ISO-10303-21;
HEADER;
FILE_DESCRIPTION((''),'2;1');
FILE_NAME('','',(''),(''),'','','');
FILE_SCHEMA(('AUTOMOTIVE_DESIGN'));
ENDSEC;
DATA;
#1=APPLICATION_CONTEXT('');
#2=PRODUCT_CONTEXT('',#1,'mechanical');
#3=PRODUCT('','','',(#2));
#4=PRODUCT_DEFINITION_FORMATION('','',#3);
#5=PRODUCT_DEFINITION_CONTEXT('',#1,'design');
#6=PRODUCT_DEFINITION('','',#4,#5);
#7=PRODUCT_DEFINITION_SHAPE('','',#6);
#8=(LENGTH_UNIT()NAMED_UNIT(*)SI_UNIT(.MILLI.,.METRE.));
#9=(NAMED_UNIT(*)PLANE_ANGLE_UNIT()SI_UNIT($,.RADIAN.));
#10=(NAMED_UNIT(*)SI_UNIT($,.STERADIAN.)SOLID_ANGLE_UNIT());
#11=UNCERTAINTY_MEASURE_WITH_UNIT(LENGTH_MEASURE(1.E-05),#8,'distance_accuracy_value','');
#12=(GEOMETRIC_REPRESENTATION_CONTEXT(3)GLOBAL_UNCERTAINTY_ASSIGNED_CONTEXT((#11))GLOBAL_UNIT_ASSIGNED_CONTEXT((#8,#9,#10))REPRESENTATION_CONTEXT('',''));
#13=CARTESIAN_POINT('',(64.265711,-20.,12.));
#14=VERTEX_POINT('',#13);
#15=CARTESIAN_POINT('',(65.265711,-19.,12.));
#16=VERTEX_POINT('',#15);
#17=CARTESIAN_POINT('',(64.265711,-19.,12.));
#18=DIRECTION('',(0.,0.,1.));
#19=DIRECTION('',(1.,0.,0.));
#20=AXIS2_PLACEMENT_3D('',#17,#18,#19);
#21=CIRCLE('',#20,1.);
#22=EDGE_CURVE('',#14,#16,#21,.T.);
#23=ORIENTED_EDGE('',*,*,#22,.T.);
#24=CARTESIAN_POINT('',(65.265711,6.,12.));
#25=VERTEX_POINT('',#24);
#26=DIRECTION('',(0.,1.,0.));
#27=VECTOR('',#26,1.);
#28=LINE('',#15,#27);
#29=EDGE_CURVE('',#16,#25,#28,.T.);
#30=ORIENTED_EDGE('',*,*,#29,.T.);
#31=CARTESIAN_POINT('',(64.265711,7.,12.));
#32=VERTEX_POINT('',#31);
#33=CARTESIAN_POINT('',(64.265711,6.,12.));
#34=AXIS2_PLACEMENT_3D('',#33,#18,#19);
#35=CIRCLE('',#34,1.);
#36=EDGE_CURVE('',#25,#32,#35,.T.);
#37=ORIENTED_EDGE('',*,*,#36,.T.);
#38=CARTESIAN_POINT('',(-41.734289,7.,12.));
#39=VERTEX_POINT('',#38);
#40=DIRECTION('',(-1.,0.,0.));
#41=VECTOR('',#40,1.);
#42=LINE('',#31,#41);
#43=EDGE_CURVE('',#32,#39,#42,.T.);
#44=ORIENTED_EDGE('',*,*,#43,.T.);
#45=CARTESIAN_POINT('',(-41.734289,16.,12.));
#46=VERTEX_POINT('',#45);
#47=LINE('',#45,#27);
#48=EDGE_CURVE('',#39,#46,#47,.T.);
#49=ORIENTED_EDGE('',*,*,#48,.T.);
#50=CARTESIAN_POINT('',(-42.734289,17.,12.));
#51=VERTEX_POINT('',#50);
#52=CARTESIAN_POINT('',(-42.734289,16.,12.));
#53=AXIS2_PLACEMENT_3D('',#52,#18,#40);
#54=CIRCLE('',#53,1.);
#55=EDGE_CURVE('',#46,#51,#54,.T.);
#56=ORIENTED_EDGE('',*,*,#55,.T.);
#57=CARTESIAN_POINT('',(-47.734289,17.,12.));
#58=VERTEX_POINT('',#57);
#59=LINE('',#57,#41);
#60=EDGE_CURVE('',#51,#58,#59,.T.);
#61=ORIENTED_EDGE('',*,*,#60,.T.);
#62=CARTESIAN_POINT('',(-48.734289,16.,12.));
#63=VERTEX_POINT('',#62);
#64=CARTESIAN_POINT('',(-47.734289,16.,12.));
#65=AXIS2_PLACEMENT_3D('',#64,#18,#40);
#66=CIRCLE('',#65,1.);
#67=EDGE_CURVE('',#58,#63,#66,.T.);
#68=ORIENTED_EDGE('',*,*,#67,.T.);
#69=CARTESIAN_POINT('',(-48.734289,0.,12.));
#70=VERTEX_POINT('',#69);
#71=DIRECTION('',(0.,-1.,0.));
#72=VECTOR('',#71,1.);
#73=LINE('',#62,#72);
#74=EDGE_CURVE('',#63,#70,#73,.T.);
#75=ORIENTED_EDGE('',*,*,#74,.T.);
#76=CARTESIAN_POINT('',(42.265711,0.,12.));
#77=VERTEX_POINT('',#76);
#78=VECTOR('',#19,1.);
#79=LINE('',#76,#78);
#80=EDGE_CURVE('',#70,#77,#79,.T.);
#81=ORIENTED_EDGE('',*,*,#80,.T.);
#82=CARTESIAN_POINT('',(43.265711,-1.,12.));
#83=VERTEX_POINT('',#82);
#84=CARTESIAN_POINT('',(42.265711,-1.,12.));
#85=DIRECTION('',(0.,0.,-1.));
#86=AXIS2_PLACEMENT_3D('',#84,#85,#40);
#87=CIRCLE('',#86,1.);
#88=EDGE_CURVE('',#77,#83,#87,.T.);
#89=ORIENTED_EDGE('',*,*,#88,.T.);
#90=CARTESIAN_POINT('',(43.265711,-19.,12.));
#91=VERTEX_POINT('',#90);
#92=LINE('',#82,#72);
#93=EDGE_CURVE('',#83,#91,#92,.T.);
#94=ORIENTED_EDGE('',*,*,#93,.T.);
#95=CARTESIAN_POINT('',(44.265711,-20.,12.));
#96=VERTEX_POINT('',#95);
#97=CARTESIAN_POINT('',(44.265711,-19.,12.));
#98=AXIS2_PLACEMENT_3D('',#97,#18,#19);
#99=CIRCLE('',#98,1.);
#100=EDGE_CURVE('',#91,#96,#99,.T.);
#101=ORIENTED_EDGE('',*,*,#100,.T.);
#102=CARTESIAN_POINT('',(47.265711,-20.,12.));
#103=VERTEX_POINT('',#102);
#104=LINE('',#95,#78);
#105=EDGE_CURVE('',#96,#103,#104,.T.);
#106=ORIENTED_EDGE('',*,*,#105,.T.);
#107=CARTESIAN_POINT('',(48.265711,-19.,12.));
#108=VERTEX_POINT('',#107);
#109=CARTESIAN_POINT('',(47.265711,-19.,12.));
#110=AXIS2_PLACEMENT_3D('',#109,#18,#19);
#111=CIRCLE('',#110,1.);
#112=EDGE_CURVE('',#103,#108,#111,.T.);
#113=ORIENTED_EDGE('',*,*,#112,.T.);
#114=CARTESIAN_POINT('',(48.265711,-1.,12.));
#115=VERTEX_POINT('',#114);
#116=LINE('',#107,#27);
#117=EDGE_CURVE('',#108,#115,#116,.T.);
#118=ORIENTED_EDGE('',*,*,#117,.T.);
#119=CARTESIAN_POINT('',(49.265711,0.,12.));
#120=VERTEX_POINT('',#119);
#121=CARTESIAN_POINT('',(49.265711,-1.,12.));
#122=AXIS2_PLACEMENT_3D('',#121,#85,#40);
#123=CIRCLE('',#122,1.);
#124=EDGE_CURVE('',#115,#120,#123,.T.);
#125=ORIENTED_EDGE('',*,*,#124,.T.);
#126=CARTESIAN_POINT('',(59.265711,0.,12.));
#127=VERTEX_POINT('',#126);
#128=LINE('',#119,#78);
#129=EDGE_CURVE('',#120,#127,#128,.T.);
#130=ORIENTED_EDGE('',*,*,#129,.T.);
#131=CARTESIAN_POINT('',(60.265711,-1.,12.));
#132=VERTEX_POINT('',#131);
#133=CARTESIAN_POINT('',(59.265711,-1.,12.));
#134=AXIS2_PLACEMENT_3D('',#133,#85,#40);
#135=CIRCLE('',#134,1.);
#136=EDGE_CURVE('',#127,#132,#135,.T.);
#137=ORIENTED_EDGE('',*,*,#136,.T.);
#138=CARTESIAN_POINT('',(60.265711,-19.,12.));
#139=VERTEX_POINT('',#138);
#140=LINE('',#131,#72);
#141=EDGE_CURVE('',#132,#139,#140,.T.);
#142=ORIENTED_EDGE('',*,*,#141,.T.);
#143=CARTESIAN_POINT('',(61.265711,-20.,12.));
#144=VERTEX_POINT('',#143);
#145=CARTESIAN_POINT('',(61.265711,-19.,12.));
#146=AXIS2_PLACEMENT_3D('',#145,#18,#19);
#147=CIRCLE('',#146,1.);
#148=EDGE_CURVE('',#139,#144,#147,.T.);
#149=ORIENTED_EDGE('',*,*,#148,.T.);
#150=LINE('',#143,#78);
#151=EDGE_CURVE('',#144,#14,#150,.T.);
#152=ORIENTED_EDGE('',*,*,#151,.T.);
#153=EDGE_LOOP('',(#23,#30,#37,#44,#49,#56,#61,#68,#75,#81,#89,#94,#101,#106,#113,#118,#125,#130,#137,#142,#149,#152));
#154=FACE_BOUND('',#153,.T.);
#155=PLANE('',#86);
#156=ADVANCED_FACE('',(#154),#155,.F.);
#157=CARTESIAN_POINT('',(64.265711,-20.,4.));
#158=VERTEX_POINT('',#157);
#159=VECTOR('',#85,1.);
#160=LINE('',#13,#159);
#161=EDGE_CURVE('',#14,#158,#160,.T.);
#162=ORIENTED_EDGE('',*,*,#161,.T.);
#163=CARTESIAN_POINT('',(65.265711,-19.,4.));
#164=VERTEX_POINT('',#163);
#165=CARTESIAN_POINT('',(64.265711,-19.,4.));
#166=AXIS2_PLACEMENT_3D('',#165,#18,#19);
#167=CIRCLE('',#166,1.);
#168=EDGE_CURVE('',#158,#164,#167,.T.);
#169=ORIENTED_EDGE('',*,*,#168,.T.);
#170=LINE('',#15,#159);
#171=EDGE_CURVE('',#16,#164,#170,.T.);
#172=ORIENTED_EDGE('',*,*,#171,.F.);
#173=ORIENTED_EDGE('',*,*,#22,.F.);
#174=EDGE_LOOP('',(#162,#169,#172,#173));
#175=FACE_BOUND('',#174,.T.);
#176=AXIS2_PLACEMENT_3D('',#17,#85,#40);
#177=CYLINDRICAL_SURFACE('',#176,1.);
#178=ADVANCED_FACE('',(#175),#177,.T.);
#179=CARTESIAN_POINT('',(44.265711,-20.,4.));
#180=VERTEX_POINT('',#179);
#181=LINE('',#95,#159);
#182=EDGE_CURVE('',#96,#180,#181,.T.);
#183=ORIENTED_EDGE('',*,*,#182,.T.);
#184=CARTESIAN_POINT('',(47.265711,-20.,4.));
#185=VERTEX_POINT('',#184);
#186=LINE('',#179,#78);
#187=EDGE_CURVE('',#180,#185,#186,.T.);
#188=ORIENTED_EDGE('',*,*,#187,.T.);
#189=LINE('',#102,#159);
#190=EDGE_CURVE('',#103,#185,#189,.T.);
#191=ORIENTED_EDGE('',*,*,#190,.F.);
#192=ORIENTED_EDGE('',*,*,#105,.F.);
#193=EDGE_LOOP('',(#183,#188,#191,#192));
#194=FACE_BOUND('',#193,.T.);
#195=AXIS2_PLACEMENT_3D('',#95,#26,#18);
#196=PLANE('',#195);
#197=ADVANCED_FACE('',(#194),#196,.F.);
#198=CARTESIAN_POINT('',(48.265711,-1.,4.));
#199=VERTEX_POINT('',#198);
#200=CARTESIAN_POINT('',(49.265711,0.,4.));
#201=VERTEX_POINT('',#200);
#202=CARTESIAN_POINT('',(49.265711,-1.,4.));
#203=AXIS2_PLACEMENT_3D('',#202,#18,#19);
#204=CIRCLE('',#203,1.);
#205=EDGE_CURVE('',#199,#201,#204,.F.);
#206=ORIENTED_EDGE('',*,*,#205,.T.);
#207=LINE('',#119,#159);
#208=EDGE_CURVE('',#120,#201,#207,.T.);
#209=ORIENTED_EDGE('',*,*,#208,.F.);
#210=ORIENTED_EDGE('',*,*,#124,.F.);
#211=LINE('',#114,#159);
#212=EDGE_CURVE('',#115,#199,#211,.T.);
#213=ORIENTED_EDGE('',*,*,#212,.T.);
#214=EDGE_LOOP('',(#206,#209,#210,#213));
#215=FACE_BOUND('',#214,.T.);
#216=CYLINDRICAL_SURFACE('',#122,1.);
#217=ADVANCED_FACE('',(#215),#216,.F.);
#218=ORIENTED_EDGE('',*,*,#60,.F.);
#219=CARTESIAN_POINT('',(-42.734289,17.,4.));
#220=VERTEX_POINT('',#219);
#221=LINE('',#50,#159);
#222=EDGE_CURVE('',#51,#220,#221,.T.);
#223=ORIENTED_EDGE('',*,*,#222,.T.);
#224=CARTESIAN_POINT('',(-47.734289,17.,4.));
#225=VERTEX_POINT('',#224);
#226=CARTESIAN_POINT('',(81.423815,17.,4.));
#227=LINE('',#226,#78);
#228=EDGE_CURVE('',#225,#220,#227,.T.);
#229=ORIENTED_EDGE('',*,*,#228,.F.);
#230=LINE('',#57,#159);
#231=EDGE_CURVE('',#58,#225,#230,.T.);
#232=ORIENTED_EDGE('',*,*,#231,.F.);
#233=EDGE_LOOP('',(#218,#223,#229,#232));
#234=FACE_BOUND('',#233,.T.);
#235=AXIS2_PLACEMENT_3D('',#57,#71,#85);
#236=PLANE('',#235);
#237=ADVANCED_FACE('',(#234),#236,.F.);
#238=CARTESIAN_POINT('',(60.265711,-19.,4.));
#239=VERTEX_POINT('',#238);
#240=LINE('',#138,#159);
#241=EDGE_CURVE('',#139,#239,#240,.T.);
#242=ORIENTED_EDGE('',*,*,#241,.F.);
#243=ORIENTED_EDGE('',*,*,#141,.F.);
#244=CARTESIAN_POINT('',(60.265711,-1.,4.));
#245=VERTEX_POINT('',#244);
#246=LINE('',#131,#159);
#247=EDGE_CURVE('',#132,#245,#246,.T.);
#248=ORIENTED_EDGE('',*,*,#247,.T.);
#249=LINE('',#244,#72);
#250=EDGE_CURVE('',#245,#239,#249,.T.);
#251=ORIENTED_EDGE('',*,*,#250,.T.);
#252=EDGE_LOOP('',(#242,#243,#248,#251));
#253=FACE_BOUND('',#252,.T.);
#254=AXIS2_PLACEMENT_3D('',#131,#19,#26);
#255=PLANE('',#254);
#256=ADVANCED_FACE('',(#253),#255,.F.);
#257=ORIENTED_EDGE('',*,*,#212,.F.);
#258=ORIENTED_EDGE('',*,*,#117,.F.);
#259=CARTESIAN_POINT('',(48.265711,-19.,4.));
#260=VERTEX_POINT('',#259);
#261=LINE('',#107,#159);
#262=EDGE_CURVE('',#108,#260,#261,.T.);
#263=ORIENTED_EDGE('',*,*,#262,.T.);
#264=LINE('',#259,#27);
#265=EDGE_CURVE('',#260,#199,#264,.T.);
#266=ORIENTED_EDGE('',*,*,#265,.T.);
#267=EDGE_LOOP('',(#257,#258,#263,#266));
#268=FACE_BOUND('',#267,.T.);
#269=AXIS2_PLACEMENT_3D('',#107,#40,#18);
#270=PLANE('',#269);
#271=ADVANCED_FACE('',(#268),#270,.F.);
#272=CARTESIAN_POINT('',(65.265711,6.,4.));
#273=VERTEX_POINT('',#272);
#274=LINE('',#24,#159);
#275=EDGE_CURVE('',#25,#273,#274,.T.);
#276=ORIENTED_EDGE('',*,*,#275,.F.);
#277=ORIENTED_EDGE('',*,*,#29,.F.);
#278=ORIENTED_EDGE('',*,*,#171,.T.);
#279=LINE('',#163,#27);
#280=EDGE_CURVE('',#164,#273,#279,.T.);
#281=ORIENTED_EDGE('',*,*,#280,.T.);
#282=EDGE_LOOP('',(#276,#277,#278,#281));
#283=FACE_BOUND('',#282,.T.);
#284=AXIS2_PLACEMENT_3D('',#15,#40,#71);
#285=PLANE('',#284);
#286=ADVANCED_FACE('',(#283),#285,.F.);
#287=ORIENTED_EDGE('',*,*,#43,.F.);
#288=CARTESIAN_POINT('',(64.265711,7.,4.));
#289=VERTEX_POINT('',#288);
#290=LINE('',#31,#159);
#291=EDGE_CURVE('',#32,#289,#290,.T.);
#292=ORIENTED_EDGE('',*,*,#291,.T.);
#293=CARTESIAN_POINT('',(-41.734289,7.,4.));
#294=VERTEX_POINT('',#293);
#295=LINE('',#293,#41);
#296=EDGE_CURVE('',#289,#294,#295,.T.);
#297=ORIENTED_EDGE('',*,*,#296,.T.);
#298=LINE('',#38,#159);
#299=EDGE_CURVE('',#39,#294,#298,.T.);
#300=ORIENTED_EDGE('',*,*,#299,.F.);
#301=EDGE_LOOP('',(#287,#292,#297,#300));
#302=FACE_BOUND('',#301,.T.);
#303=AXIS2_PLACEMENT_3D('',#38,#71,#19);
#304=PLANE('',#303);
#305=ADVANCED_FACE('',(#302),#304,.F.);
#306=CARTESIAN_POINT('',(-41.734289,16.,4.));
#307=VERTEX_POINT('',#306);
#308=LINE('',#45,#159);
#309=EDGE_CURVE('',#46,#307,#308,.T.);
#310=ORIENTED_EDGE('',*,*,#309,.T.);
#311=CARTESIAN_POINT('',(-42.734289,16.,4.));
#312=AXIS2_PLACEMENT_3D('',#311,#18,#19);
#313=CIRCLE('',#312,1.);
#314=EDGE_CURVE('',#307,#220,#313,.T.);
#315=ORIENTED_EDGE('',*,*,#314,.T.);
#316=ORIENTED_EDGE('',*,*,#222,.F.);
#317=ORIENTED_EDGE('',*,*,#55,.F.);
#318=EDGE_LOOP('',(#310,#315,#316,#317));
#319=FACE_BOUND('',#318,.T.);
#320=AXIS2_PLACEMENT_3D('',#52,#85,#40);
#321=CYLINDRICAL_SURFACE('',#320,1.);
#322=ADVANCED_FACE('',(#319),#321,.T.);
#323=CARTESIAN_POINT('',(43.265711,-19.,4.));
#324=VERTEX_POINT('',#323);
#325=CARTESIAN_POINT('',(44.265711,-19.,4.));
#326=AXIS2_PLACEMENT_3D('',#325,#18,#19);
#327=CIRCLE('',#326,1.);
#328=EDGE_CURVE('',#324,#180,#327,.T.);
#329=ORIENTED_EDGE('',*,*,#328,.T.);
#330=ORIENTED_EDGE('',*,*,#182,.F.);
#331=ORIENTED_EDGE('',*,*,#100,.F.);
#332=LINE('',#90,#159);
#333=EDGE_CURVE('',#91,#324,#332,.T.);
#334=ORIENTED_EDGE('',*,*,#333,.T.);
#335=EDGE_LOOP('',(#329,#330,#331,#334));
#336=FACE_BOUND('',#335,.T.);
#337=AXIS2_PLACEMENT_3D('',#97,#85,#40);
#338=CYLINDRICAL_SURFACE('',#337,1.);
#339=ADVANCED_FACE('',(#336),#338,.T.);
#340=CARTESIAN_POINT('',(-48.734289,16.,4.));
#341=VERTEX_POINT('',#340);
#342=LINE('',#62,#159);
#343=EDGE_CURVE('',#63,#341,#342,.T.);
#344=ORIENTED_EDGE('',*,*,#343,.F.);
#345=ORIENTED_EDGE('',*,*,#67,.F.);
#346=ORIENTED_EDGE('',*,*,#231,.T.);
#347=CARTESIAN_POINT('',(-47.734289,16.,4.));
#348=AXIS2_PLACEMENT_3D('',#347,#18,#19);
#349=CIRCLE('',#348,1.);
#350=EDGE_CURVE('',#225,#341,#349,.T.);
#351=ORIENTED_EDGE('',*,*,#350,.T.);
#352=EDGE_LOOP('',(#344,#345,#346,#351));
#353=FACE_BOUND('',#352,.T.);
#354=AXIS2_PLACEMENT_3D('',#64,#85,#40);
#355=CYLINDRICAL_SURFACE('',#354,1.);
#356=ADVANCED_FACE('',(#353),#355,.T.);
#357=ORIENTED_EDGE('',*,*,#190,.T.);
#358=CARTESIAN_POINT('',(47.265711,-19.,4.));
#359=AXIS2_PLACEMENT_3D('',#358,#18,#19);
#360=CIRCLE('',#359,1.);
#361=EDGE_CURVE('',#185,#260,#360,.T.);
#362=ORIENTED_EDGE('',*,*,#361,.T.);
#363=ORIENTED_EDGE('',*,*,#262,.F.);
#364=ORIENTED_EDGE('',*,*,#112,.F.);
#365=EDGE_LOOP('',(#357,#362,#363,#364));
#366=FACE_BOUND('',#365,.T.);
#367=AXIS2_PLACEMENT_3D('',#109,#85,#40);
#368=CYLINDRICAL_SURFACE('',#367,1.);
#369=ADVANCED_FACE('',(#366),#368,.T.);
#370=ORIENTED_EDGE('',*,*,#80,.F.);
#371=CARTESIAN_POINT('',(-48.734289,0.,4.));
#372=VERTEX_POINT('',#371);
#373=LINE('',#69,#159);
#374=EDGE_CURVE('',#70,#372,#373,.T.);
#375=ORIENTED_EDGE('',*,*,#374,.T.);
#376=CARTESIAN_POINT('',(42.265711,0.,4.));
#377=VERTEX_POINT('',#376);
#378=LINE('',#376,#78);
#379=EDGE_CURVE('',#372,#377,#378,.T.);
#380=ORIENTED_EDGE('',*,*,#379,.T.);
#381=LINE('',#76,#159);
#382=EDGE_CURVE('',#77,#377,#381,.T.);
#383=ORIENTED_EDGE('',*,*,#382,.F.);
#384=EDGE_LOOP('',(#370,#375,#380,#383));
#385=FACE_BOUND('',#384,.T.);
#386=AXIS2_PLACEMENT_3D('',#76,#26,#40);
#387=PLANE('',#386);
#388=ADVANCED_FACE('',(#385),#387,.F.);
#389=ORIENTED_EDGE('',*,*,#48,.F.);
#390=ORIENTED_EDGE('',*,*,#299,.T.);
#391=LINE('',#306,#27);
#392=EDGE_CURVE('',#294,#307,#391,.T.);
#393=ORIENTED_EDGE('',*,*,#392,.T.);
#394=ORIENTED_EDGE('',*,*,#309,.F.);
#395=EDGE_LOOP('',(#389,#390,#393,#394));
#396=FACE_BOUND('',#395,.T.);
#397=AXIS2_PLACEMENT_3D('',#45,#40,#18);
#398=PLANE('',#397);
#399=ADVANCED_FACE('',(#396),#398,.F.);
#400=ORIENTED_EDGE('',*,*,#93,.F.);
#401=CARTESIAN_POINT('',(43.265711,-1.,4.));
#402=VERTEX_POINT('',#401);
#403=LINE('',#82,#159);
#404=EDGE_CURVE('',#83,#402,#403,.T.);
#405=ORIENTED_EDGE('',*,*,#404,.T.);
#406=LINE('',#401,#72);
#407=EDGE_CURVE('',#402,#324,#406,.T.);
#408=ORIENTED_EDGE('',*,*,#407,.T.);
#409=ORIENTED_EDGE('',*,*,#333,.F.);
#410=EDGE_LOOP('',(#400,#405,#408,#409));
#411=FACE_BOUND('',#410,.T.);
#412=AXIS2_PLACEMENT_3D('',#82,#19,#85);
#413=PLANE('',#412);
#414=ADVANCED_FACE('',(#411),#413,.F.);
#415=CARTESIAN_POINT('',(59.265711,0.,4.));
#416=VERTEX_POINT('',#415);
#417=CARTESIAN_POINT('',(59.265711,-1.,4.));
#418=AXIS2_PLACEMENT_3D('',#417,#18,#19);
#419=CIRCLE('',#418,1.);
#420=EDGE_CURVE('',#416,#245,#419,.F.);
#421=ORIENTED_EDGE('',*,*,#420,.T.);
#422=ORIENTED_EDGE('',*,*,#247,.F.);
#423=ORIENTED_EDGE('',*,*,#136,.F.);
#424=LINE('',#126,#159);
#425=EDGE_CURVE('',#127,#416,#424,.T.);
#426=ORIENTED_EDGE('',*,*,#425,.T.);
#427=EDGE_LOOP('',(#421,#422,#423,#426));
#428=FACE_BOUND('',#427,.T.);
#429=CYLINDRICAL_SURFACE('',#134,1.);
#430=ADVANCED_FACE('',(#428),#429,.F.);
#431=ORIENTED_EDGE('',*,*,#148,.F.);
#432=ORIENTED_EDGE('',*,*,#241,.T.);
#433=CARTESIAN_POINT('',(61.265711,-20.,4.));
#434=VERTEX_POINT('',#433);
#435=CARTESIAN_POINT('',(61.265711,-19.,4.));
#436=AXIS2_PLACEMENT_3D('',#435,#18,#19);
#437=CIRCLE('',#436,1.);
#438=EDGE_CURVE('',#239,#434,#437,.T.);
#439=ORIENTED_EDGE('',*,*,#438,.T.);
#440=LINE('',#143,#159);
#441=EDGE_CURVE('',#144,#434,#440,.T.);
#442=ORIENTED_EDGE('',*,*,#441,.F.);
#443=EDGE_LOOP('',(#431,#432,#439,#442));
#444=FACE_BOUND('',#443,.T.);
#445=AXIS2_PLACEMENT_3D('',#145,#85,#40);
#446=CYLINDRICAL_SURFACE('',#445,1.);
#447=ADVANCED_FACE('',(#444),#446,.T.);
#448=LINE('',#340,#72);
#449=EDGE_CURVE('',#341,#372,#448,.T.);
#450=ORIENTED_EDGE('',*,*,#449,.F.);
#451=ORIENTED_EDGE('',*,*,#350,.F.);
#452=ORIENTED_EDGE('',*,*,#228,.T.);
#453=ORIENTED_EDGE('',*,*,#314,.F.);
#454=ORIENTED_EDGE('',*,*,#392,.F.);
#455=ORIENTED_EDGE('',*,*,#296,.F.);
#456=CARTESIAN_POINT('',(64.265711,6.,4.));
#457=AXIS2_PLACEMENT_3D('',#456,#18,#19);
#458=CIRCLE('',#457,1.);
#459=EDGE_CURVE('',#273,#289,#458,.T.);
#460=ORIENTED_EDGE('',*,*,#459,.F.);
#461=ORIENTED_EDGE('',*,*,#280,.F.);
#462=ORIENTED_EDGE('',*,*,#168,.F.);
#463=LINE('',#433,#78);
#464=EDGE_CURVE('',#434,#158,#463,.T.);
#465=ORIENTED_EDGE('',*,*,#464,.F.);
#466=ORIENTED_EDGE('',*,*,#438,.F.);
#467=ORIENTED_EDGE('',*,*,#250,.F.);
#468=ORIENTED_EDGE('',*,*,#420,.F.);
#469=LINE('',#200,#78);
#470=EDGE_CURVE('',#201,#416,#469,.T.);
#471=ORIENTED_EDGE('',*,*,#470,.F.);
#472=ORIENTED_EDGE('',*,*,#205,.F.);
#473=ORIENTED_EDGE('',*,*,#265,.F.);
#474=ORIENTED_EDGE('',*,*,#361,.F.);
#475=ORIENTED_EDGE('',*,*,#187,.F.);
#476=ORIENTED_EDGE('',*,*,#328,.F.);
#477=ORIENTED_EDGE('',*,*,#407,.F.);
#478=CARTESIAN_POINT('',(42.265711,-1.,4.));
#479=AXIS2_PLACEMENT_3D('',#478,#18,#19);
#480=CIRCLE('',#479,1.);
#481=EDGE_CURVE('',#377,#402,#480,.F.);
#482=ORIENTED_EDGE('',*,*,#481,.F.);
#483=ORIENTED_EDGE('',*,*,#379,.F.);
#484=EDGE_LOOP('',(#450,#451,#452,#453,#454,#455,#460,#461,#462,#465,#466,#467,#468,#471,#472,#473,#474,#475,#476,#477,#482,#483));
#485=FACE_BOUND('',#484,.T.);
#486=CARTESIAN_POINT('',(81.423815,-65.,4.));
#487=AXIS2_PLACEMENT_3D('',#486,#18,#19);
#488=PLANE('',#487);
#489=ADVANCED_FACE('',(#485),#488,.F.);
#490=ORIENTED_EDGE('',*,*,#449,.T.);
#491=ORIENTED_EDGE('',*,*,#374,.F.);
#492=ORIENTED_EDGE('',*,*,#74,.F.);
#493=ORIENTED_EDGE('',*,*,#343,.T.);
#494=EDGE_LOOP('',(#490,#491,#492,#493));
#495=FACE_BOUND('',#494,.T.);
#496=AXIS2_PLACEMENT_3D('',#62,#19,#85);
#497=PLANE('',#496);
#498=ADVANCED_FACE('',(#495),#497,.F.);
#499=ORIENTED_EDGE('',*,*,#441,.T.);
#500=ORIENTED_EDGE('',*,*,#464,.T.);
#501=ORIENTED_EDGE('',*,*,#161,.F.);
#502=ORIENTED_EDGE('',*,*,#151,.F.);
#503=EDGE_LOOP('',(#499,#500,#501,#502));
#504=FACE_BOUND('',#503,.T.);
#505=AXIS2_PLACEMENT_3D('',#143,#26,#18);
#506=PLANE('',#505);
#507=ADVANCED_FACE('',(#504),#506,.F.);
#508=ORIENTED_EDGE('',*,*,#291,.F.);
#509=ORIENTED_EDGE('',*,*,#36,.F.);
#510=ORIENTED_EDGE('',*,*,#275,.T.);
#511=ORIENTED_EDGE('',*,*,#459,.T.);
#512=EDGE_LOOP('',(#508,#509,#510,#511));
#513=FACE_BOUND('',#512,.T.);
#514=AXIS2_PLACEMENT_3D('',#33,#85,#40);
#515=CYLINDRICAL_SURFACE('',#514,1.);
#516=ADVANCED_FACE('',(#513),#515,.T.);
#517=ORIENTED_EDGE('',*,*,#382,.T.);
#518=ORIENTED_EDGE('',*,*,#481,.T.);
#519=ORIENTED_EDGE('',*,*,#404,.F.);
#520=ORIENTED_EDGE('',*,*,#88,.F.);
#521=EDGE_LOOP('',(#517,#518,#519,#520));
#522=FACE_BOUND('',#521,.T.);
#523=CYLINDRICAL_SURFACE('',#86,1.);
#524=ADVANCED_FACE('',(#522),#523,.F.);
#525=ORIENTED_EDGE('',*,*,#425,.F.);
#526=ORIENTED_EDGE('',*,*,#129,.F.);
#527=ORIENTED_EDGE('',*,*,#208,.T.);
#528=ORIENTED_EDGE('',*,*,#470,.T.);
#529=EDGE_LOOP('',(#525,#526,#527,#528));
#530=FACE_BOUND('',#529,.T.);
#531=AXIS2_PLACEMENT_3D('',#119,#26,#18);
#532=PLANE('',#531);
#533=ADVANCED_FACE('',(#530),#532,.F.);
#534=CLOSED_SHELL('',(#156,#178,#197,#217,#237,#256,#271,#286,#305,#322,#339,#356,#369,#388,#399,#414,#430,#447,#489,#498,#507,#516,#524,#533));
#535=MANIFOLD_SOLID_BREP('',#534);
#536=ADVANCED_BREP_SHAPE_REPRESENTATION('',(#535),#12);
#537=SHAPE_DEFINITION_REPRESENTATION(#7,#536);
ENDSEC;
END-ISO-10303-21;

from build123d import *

# Parameters (mm, degrees)
EXTRUDE_1_DEPTH     = 12
CUT_EXTRUDE_1_DEPTH = 82


with BuildPart() as part:
    # Эскиз1 → Бобышка-Вытянуть1 (new body)
    with BuildSketch(Plane.XY):
        with BuildLine():
            Line((-47.73428915, 17), (-42.73428915, 17))
            ThreePointArc((-42.73428915, 17), (-42.027182368, 16.707106781), (-41.73428915, 16))
            Line((-41.73428915, 16), (-41.73428915, 7))
            Line((-41.73428915, 7), (25.229943888, 7))
            Line((25.229943888, 7), (64.26571085, 7))
            ThreePointArc((64.26571085, 7), (64.972817632, 6.707106781), (65.26571085, 6))
            Line((65.26571085, 6), (65.26571085, -19))
            ThreePointArc((65.26571085, -19), (64.972817632, -19.707106781), (64.26571085, -20))
            Line((64.26571085, -20), (61.26571085, -20))
            ThreePointArc((61.26571085, -20), (60.558604069, -19.707106781), (60.26571085, -19))
            Line((60.26571085, -19), (60.26571085, -1))
            ThreePointArc((60.26571085, -1), (59.972817632, -0.292893219), (59.26571085, 0))
            Line((59.26571085, 0), (49.26571085, 0))
            ThreePointArc((49.26571085, 0), (48.558604069, -0.292893219), (48.26571085, -1))
            Line((48.26571085, -1), (48.26571085, -19))
            ThreePointArc((48.26571085, -19), (47.972817632, -19.707106781), (47.26571085, -20))
            Line((47.26571085, -20), (44.26571085, -20))
            ThreePointArc((44.26571085, -20), (43.558604069, -19.707106781), (43.26571085, -19))
            Line((43.26571085, -19), (43.26571085, -1))
            ThreePointArc((43.26571085, -1), (42.972817632, -0.292893219), (42.26571085, 0))
            Line((42.26571085, 0), (-48.73428915, 0))
            Line((-48.73428915, 0), (-48.73428915, 16))
            ThreePointArc((-48.73428915, 16), (-48.441395931, 16.707106781), (-47.73428915, 17))
        make_face()
    extrude(amount=EXTRUDE_1_DEPTH)

    # Эскиз2 → Вырез-Вытянуть1 (cut)
    with BuildSketch(Plane(origin=(0, 17, 0), x_dir=(1, 0, 0), z_dir=(0, 1, 0))):
        Polygon((81.423814873, -4), (-154.472854851, -4), (-146.348766817, 32.606222342), (92.957474686, 29.235711898), align=None)
        Polygon((81.423814873, -16), (-154.472854851, -16), (-172.112104827, -50.666366553), (103.309756763, -54.545547702), align=None)
    extrude(amount=-CUT_EXTRUDE_1_DEPTH, mode=Mode.SUBTRACT)


solid = part.part
